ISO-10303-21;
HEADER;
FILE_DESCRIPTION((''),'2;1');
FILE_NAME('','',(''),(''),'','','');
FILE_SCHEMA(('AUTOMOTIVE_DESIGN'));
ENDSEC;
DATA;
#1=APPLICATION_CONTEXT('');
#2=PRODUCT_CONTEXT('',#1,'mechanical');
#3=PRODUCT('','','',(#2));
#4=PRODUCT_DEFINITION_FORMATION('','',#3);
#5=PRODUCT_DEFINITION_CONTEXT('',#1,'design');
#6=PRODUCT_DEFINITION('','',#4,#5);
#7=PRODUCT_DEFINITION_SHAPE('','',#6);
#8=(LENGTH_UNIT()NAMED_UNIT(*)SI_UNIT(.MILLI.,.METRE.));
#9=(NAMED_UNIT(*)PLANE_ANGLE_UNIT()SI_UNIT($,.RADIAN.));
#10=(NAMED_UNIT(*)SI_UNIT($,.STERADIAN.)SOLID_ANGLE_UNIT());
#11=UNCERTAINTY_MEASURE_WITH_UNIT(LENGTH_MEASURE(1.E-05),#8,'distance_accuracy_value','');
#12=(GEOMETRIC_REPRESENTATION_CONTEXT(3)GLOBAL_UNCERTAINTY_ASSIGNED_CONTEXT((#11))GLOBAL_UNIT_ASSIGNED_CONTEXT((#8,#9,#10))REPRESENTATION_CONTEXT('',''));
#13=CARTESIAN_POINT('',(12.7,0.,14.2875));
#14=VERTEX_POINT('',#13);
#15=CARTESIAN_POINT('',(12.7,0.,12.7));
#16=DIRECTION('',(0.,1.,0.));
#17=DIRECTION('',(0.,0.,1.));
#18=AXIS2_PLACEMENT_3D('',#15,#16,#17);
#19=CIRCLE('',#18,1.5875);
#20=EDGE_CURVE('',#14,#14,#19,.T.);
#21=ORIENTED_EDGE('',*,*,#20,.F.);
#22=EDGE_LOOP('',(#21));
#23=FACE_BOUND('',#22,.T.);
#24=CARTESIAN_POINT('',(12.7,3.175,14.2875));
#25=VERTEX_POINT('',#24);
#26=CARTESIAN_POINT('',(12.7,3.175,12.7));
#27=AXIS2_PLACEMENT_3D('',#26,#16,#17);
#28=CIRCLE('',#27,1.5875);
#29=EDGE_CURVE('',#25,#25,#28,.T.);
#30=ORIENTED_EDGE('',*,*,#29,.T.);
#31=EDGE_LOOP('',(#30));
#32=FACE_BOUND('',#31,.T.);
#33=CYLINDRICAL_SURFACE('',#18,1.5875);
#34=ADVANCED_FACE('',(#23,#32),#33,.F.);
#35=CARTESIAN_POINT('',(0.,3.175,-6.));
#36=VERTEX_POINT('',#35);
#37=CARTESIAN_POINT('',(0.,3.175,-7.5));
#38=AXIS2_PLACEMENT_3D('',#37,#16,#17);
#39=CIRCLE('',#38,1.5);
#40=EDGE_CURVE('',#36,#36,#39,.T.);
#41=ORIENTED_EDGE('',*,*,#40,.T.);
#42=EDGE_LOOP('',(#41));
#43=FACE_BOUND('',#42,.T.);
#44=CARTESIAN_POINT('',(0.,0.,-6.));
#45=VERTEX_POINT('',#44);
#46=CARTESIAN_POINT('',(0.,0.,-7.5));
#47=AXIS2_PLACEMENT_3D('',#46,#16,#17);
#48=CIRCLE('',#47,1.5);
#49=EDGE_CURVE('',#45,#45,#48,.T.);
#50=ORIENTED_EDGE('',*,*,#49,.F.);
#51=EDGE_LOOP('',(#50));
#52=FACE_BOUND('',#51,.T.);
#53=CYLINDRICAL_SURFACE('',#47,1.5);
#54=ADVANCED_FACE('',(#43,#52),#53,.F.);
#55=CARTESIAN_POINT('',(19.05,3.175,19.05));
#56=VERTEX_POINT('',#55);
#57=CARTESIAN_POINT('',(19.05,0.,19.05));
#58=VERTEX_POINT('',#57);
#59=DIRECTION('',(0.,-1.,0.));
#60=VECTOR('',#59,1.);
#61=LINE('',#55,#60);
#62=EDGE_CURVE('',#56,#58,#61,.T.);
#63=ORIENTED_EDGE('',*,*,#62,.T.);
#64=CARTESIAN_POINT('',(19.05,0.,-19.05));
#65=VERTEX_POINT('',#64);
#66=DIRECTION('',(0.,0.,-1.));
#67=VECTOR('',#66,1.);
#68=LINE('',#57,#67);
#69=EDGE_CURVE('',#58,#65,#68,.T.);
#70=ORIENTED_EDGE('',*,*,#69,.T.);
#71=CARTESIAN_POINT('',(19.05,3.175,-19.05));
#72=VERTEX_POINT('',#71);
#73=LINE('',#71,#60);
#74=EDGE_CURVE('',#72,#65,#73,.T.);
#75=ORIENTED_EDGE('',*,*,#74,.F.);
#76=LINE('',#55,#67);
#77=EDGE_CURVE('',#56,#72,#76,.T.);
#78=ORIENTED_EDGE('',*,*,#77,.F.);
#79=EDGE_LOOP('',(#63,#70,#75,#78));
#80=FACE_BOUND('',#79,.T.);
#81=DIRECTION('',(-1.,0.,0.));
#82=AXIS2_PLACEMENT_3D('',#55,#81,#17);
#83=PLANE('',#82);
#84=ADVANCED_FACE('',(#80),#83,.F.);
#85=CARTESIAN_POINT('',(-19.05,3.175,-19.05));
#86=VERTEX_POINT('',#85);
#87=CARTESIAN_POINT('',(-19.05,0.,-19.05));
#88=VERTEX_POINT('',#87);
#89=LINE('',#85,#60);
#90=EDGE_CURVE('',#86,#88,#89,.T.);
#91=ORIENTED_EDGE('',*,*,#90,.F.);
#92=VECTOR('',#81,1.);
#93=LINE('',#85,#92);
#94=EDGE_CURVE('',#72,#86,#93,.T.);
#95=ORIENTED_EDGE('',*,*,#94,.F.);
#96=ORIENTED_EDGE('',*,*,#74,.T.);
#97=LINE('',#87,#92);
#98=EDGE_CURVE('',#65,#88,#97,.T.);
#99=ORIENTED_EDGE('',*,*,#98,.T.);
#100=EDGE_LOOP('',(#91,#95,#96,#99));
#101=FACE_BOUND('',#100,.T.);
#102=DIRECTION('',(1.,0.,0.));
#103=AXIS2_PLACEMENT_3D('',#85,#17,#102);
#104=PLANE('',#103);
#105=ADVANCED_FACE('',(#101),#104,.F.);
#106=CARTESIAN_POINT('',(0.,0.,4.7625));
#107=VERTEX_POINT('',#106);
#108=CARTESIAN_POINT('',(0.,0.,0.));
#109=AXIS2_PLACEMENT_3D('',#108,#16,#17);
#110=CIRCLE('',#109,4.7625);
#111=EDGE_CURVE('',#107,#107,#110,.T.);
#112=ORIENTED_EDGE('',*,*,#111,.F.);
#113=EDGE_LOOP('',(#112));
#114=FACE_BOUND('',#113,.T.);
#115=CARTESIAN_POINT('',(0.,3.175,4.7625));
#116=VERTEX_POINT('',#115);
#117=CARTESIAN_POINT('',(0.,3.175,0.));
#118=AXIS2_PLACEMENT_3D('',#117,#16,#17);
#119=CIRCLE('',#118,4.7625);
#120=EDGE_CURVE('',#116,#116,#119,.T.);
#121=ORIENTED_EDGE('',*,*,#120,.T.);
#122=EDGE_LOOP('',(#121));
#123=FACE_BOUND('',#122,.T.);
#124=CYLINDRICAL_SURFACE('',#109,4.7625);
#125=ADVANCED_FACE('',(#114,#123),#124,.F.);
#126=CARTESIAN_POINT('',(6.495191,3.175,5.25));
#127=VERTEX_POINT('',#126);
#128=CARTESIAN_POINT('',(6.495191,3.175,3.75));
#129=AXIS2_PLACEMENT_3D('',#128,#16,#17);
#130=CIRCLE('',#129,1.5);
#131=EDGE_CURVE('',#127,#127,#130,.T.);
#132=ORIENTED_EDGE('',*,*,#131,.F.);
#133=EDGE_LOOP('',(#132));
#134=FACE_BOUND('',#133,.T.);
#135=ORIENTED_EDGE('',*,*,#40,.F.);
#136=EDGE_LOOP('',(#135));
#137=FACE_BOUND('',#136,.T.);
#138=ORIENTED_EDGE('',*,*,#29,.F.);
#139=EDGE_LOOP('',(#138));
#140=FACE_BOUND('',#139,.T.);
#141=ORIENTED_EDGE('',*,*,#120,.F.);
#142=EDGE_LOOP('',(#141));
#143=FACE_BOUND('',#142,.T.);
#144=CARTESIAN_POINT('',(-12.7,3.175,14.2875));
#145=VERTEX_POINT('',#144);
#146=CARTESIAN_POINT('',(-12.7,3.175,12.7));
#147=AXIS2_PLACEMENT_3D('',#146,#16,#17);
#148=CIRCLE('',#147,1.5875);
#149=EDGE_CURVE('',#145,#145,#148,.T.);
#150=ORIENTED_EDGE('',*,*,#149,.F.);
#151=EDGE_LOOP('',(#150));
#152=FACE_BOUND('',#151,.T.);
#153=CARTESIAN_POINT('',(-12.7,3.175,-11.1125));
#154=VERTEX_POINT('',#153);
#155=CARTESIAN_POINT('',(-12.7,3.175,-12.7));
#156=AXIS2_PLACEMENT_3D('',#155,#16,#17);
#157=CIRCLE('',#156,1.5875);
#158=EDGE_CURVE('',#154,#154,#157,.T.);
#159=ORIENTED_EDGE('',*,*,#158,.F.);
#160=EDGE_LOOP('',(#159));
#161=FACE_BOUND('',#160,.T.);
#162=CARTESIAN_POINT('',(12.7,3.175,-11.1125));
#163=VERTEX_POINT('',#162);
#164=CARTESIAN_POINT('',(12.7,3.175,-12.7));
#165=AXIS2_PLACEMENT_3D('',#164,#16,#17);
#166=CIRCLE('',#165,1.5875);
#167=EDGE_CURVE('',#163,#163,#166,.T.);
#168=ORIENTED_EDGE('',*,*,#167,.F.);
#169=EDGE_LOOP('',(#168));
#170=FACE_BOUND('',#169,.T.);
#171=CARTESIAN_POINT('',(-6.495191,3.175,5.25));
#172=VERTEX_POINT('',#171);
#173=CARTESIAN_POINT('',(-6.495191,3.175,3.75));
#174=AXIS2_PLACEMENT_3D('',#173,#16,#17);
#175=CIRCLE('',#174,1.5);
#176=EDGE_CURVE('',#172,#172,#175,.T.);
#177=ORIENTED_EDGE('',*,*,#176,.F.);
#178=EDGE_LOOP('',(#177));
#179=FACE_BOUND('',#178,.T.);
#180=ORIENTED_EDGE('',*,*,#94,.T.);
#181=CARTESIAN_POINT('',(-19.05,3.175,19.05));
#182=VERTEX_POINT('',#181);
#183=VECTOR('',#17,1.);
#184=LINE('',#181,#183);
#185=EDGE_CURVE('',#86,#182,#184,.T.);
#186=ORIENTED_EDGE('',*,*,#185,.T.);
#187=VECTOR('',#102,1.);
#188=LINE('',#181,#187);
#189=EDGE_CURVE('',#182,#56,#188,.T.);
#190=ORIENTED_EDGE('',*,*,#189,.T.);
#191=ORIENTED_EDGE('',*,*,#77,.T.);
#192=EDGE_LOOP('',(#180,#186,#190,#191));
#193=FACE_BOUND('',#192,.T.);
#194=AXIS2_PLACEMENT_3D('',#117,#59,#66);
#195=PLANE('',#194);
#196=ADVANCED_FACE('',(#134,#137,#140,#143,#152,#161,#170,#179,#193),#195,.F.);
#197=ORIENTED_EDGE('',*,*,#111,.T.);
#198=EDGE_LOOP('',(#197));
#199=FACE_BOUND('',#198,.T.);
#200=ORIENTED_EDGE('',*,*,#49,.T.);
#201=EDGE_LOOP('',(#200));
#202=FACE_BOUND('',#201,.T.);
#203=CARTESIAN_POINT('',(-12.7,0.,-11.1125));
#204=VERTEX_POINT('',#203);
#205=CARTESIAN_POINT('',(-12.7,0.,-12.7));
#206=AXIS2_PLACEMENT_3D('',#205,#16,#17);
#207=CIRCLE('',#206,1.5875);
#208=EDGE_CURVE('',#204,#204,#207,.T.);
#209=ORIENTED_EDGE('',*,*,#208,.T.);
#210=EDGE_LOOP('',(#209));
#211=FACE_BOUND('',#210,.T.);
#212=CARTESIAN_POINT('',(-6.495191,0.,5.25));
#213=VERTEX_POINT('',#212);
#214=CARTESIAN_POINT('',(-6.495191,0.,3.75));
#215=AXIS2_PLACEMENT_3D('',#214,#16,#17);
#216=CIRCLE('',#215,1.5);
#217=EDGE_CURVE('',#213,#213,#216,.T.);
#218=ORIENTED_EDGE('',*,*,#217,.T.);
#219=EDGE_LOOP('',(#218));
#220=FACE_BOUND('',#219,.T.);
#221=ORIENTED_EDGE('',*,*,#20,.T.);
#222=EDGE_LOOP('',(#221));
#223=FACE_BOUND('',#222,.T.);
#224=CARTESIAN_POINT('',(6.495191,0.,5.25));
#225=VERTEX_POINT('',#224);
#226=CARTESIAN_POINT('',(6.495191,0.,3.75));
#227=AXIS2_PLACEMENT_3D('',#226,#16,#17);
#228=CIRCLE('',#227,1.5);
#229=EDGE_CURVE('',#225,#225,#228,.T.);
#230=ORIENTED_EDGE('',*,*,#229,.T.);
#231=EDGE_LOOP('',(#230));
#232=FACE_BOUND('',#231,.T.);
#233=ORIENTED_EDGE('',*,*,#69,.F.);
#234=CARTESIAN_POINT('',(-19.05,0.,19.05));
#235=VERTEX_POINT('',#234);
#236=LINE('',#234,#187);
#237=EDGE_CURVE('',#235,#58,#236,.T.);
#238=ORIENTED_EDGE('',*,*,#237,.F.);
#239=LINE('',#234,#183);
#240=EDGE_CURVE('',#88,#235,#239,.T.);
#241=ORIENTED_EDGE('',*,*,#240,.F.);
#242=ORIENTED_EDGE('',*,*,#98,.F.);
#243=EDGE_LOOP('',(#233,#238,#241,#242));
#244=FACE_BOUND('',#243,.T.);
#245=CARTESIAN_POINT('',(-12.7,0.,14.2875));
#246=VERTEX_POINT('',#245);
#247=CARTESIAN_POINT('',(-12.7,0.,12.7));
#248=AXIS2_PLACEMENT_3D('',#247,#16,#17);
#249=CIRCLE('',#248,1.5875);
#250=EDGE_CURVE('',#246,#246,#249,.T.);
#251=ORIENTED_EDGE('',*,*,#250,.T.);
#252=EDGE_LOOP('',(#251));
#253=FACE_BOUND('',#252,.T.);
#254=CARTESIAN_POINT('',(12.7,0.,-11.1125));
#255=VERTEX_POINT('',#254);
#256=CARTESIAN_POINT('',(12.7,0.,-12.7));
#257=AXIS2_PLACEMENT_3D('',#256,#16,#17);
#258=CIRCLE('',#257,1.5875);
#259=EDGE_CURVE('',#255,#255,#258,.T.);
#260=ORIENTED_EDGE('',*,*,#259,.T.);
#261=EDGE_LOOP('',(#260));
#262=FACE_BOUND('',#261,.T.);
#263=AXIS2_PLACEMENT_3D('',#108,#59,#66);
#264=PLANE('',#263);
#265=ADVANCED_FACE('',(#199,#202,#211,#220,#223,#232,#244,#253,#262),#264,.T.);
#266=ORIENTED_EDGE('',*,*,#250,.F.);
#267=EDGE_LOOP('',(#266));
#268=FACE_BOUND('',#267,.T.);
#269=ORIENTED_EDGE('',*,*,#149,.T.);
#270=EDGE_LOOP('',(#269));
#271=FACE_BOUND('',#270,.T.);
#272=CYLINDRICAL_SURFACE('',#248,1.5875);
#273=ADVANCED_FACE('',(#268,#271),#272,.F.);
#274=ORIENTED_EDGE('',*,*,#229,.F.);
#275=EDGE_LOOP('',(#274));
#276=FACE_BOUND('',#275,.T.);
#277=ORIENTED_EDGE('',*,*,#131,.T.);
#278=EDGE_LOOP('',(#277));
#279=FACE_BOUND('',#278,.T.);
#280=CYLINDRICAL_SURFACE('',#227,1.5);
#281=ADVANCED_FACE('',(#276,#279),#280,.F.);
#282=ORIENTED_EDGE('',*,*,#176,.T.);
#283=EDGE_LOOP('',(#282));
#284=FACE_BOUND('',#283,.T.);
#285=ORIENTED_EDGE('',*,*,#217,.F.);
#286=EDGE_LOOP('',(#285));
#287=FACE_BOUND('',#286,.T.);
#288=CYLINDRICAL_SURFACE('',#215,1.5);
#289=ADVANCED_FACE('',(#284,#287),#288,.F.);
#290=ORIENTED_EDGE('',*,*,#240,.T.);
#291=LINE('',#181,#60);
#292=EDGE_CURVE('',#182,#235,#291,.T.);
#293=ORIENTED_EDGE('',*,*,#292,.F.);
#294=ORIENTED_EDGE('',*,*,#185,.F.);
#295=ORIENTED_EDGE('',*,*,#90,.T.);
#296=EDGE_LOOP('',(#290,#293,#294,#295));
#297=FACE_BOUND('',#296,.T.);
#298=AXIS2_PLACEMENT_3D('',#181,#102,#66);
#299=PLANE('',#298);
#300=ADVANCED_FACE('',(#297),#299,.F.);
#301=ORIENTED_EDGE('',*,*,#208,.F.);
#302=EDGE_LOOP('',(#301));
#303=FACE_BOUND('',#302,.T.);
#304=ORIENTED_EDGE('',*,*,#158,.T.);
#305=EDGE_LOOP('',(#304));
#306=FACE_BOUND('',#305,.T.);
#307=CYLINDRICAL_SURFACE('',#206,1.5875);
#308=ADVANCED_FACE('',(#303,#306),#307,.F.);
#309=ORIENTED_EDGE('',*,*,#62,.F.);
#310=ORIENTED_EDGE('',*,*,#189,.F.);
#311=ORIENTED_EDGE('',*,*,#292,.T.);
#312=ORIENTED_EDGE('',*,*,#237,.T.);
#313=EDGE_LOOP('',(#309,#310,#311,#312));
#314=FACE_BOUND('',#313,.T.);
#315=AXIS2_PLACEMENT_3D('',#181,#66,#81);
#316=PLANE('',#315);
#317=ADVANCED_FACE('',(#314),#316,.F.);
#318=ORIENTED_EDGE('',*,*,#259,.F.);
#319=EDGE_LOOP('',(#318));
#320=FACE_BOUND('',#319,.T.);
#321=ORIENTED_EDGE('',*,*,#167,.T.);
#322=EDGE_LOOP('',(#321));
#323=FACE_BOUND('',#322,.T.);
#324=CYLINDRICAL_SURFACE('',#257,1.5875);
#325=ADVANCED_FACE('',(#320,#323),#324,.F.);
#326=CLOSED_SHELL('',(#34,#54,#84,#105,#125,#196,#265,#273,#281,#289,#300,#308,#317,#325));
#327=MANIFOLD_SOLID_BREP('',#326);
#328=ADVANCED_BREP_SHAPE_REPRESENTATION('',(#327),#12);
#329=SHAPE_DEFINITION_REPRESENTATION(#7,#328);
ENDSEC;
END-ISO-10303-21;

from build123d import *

# Parameters (mm, degrees)
SKETCH1_W           = 38.1
SKETCH1_H           = 38.1
BOSS_EXTRUDE1_DEPTH = 3.175
SKETCH2_R           = 1.5
SKETCH2_R_2         = 4.7625
CUT_EXTRUDE1_DEPTH  = 4.175
SKETCH3_R           = 1.5875
CUT_EXTRUDE2_DEPTH  = 4.175


with BuildPart() as part:
    # Sketch1 → Boss-Extrude1 (new body)
    with BuildSketch(Plane(origin=(0, 0, 0), x_dir=(1, 0, 0), z_dir=(0, 1, 0))):
        Rectangle(SKETCH1_W, SKETCH1_H)
    extrude(amount=BOSS_EXTRUDE1_DEPTH)

    # Sketch2 → Cut-Extrude1 (cut, through all)
    with BuildSketch(Plane(origin=(0, 3.175, 0), x_dir=(1, 0, 0), z_dir=(0, 1, 0))):
        with Locations((0, 7.5)):
            Circle(SKETCH2_R)
        with Locations((6.495190528, -3.75)):
            Circle(SKETCH2_R)
        with Locations((-6.495190528, -3.75)):
            Circle(SKETCH2_R)
        Circle(SKETCH2_R_2)
    extrude(amount=-CUT_EXTRUDE1_DEPTH, mode=Mode.SUBTRACT)

    # Sketch3 → Cut-Extrude2 (cut, through all)
    with BuildSketch(Plane(origin=(0, 3.175, 0), x_dir=(1, 0, 0), z_dir=(0, 1, 0))):
        with Locations((-12.7, 12.7)):
            Circle(SKETCH3_R)
        with Locations((-12.7, -12.7)):
            Circle(SKETCH3_R)
        with Locations((12.7, -12.7)):
            Circle(SKETCH3_R)
        with Locations((12.7, 12.7)):
            Circle(SKETCH3_R)
    extrude(amount=-CUT_EXTRUDE2_DEPTH, mode=Mode.SUBTRACT)


solid = part.part
